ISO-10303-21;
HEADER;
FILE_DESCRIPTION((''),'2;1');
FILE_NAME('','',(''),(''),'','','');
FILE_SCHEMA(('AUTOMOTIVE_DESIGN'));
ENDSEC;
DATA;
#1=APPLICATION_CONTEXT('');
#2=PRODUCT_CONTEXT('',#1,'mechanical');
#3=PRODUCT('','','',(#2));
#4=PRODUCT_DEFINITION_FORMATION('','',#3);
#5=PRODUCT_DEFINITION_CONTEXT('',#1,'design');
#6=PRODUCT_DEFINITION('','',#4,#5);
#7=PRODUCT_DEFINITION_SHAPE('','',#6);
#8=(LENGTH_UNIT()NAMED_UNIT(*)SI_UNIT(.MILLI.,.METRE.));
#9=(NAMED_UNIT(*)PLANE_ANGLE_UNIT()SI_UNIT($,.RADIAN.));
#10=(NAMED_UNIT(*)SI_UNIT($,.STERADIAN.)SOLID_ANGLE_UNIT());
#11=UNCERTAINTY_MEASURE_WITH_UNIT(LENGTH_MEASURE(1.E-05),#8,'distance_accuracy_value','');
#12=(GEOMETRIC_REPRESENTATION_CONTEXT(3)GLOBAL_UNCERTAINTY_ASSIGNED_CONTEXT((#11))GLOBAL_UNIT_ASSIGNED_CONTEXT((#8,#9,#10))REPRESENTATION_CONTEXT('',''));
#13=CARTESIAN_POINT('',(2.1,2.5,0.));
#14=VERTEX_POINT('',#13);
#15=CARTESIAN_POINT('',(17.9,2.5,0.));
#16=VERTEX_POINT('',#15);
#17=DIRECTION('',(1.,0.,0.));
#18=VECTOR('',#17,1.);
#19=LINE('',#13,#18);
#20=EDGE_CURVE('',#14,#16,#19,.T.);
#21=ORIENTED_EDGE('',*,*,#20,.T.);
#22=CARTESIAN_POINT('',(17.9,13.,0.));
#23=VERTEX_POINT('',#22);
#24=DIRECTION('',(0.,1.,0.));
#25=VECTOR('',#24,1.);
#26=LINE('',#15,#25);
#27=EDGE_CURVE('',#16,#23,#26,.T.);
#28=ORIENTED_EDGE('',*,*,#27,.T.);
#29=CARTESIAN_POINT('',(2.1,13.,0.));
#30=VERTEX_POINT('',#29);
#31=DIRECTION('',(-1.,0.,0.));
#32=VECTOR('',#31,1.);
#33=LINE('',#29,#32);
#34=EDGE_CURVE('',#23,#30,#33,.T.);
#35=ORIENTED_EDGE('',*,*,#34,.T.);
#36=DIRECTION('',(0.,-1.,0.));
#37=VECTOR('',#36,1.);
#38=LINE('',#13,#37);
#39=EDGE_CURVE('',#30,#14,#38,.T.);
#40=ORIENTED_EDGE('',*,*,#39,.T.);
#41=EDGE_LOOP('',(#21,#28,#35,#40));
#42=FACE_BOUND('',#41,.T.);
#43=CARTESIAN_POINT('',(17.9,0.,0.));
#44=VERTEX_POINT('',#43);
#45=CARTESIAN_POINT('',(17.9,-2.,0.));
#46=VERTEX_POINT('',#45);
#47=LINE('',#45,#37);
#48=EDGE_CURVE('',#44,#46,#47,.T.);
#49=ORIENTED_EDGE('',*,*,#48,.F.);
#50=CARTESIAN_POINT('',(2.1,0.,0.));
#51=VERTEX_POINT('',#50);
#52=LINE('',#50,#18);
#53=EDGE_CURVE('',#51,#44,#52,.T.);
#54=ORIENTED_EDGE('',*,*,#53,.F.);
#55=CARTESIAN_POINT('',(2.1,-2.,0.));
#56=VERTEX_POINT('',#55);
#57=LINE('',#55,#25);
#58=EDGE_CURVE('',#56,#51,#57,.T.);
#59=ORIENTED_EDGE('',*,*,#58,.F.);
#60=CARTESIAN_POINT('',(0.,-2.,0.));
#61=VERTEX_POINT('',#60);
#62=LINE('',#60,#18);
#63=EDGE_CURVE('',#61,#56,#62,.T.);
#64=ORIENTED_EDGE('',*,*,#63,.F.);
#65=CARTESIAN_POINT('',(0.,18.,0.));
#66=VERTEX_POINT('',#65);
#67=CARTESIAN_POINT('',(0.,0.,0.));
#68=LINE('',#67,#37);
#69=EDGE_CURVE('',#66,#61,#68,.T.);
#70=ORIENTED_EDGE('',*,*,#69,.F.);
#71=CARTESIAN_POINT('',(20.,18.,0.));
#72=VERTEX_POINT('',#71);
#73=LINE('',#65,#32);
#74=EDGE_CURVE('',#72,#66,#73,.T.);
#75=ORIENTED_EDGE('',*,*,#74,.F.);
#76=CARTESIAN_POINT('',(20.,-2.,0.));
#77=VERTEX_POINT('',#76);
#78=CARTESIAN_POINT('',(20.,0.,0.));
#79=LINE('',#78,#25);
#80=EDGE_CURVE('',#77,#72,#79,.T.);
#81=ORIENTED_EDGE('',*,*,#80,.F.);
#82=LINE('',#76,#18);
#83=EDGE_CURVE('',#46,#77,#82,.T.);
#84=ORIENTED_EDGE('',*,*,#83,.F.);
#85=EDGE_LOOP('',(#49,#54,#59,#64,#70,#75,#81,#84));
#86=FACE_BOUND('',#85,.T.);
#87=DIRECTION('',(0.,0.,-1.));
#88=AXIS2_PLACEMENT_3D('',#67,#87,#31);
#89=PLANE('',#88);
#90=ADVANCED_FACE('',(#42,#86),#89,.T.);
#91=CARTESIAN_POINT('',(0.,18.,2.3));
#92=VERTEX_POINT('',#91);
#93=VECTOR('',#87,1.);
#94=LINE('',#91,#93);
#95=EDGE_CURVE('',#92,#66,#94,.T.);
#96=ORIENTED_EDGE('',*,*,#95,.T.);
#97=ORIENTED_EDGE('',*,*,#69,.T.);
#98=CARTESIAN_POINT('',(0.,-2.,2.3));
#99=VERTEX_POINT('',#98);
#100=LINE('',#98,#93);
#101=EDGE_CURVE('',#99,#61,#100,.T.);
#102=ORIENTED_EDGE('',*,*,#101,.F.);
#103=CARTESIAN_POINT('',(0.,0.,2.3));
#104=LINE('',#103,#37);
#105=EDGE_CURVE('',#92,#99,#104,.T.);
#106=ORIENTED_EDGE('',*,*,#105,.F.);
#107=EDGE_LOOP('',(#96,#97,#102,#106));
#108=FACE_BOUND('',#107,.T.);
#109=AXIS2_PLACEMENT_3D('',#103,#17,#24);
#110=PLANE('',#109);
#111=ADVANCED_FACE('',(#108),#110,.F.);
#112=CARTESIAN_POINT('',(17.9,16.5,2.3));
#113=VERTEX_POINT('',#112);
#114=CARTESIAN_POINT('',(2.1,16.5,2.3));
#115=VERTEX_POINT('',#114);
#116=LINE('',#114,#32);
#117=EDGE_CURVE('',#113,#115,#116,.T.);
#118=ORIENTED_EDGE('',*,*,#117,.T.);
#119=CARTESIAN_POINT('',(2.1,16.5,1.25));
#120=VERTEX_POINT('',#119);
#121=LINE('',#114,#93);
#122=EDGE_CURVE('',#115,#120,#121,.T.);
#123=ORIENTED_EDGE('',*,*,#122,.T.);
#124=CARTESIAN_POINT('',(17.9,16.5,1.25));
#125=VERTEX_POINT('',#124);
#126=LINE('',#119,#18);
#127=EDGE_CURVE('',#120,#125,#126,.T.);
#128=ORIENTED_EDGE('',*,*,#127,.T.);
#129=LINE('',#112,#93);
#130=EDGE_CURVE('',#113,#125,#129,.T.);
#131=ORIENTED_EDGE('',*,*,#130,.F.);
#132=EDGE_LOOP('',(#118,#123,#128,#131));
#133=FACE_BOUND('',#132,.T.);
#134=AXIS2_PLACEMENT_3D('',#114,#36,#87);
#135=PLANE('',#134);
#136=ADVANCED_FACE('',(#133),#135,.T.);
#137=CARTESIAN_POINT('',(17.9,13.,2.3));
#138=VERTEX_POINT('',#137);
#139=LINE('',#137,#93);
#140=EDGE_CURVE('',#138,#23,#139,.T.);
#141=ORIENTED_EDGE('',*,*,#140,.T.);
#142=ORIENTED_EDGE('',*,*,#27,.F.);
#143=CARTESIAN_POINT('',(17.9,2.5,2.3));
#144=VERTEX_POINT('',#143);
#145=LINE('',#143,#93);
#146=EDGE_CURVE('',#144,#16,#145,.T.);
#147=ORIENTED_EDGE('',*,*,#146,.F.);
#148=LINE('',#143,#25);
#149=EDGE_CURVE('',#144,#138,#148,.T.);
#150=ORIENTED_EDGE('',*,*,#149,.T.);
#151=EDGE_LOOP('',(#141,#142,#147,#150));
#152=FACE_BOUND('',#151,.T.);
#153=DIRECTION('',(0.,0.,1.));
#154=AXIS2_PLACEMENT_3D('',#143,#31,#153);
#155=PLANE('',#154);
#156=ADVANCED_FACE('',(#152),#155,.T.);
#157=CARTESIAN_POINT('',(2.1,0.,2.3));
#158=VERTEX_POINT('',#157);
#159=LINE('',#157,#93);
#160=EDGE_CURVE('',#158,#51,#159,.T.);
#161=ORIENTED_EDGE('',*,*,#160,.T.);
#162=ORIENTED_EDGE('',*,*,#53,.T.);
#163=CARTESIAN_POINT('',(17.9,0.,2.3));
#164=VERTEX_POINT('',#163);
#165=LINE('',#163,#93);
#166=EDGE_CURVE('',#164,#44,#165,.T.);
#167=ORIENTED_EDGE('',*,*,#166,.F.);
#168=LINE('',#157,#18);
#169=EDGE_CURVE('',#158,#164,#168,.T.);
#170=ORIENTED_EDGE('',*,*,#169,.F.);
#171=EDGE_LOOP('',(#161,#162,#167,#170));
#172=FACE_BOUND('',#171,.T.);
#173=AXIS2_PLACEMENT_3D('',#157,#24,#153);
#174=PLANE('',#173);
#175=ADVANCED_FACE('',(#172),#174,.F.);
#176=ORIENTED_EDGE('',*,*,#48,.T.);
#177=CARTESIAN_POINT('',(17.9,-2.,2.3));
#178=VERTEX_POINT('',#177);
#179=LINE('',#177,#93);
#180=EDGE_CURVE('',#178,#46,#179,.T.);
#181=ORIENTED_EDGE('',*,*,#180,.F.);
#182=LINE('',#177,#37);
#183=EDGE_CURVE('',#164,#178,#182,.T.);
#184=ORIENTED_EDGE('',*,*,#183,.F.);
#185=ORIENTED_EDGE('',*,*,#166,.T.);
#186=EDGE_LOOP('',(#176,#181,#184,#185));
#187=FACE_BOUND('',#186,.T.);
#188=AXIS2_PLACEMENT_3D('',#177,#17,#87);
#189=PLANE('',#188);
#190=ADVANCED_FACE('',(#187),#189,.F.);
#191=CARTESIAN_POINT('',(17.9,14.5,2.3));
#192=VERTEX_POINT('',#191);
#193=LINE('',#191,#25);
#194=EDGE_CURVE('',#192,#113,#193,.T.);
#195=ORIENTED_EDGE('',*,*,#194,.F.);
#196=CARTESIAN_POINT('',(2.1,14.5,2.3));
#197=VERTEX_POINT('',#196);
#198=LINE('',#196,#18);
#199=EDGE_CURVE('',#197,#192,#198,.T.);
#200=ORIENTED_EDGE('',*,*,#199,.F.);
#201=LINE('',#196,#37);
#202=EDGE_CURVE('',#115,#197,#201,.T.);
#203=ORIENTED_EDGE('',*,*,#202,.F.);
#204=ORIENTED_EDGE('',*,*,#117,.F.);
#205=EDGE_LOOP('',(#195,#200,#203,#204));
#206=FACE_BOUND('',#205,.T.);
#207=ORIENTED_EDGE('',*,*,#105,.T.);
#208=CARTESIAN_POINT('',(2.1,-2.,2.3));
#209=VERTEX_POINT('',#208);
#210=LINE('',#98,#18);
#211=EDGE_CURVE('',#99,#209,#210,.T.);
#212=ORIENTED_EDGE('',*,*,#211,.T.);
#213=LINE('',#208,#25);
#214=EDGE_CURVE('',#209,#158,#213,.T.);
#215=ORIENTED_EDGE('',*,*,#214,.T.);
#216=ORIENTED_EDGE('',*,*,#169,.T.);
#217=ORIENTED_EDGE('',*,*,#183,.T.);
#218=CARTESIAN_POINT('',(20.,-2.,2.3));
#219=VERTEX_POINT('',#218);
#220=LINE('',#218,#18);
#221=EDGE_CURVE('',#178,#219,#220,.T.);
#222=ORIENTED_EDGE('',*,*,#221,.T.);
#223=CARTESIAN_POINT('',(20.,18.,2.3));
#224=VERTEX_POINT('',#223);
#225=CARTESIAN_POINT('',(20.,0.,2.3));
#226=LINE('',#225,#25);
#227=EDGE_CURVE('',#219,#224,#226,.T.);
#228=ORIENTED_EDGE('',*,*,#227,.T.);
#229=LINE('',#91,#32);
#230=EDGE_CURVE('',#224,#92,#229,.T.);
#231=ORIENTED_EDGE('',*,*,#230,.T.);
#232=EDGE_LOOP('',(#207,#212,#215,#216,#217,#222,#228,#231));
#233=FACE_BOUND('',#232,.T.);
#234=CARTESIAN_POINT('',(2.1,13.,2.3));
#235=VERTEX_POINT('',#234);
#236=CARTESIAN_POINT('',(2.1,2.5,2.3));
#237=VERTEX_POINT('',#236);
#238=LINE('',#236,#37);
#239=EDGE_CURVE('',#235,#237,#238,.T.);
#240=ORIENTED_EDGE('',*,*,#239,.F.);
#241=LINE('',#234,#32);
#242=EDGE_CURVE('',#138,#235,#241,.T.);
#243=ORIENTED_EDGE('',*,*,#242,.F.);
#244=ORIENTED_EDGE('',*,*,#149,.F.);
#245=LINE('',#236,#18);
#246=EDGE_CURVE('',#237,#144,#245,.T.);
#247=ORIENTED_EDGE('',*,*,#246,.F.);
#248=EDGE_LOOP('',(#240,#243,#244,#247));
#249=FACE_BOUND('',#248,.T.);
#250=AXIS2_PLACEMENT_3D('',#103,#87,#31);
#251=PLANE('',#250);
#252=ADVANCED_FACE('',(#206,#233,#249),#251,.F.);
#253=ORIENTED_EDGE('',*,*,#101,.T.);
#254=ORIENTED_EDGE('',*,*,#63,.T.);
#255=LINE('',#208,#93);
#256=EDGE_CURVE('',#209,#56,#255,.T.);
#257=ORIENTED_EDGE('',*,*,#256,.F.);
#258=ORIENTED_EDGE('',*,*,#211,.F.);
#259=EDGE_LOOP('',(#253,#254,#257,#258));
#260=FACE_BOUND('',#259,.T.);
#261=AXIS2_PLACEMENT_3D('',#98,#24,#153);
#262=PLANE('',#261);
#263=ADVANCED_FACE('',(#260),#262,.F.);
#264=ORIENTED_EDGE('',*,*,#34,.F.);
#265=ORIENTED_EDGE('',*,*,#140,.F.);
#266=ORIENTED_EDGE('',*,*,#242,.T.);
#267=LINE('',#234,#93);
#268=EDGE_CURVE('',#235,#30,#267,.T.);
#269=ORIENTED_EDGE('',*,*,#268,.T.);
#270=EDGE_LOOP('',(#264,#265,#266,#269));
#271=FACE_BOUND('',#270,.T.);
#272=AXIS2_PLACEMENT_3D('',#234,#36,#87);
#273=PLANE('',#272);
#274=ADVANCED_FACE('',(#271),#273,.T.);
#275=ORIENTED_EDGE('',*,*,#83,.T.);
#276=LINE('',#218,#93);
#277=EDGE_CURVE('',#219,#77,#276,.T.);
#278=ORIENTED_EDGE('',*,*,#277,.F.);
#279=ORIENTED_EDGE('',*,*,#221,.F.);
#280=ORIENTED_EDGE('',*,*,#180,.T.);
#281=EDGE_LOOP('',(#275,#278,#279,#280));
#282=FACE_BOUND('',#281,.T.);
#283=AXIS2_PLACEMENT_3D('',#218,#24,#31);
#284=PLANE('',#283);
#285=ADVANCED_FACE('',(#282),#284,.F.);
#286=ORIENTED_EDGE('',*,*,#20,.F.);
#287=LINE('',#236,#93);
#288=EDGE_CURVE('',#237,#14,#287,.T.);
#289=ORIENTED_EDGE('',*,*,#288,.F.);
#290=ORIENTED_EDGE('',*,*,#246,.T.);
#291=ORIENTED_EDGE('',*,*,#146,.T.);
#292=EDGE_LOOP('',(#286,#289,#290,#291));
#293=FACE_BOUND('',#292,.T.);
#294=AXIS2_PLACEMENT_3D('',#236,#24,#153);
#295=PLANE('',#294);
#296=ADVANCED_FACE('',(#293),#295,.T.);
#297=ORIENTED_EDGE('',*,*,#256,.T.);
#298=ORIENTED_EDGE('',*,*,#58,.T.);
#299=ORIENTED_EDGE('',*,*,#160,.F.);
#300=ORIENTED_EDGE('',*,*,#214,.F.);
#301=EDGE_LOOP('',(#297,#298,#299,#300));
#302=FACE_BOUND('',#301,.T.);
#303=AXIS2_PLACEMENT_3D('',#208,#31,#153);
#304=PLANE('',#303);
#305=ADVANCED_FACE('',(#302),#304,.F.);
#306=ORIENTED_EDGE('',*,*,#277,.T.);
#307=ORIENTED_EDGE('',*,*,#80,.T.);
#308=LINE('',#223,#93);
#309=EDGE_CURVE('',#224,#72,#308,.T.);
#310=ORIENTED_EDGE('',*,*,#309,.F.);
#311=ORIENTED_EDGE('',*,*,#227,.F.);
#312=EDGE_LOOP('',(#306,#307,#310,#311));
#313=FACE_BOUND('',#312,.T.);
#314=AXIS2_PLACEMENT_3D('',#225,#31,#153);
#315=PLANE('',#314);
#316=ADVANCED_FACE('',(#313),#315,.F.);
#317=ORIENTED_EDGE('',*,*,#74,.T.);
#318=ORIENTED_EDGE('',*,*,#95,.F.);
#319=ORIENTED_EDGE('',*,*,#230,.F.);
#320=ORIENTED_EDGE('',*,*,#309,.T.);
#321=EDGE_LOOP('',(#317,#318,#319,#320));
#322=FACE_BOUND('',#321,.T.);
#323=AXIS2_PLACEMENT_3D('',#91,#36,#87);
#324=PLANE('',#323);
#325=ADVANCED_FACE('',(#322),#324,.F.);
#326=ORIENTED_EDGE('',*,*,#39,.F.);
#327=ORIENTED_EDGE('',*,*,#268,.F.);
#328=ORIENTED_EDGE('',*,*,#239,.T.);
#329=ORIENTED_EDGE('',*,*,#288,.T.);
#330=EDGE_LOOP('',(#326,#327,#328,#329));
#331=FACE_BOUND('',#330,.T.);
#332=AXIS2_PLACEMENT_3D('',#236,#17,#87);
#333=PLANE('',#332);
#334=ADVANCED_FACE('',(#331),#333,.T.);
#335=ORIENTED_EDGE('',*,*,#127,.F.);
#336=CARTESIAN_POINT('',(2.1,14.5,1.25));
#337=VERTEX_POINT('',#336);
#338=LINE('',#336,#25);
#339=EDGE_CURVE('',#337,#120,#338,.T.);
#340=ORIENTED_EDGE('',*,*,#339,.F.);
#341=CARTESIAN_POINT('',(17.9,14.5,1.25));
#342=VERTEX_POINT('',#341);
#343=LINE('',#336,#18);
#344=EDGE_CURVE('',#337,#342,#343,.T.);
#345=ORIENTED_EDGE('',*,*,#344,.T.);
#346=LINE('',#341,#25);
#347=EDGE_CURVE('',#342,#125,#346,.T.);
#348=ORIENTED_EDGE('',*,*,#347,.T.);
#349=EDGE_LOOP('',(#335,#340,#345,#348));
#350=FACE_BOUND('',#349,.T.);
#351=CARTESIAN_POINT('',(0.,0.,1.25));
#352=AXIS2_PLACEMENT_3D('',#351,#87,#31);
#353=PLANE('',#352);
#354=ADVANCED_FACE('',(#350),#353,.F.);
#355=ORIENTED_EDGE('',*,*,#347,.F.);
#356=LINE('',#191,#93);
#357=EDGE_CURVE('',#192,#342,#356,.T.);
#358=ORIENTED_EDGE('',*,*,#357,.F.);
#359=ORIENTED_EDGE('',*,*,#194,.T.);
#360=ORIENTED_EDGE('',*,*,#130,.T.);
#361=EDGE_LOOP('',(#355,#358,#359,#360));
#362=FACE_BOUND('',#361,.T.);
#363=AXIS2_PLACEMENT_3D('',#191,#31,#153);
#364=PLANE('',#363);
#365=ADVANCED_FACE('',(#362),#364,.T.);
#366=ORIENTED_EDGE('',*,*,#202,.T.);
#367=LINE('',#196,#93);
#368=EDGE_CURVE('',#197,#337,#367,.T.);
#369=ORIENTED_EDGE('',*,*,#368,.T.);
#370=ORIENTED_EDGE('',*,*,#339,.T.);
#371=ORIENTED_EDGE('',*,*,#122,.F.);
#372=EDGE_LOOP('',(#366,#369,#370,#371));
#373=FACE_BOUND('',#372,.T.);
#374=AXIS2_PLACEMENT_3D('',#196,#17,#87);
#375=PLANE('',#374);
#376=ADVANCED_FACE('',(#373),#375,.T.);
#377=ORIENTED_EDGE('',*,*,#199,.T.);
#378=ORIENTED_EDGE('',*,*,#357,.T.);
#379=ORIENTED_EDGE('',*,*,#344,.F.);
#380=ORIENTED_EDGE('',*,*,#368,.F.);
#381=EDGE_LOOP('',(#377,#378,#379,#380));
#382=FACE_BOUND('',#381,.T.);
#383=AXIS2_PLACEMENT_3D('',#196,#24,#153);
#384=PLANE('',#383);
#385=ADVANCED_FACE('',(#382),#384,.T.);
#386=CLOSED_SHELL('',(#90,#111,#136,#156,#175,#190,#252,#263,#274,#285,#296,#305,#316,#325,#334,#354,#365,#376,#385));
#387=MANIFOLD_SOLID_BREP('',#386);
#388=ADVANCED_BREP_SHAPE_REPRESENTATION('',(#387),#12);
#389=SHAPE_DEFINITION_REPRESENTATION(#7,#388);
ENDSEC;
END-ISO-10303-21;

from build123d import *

# Parameters (mm, degrees)
SKETCH1_W           = 15.8
SKETCH1_H           = 10.5
SKETCH1_H_2         = 2
BOSS_EXTRUDE1_DEPTH = 2.3
SKETCH1_2_W         = 15.8
SKETCH1_2_H         = 2
BOSS_EXTRUDE2_DEPTH = 1.25


with BuildPart() as part:
    # Sketch1 → Boss-Extrude1 (new body)
    with BuildSketch(Plane.XY):
        Polygon((0, 0), (0, -2), (2.1, -2), (2.1, 0), (17.9, 0), (17.9, -2), (20, -2), (20, 0), (20, 18), (0, 18), align=None)
        with Locations((10, 7.75)):
            Rectangle(SKETCH1_W, SKETCH1_H, mode=Mode.SUBTRACT)
        with Locations((10, 15.5)):
            Rectangle(SKETCH1_W, SKETCH1_H_2, mode=Mode.SUBTRACT)
    extrude(amount=BOSS_EXTRUDE1_DEPTH)

    # Sketch1<2> → Boss-Extrude2 (add)
    with BuildSketch(Plane.XY):
        with Locations((10, 15.5)):
            Rectangle(SKETCH1_2_W, SKETCH1_2_H)
    extrude(amount=BOSS_EXTRUDE2_DEPTH)


solid = part.part
